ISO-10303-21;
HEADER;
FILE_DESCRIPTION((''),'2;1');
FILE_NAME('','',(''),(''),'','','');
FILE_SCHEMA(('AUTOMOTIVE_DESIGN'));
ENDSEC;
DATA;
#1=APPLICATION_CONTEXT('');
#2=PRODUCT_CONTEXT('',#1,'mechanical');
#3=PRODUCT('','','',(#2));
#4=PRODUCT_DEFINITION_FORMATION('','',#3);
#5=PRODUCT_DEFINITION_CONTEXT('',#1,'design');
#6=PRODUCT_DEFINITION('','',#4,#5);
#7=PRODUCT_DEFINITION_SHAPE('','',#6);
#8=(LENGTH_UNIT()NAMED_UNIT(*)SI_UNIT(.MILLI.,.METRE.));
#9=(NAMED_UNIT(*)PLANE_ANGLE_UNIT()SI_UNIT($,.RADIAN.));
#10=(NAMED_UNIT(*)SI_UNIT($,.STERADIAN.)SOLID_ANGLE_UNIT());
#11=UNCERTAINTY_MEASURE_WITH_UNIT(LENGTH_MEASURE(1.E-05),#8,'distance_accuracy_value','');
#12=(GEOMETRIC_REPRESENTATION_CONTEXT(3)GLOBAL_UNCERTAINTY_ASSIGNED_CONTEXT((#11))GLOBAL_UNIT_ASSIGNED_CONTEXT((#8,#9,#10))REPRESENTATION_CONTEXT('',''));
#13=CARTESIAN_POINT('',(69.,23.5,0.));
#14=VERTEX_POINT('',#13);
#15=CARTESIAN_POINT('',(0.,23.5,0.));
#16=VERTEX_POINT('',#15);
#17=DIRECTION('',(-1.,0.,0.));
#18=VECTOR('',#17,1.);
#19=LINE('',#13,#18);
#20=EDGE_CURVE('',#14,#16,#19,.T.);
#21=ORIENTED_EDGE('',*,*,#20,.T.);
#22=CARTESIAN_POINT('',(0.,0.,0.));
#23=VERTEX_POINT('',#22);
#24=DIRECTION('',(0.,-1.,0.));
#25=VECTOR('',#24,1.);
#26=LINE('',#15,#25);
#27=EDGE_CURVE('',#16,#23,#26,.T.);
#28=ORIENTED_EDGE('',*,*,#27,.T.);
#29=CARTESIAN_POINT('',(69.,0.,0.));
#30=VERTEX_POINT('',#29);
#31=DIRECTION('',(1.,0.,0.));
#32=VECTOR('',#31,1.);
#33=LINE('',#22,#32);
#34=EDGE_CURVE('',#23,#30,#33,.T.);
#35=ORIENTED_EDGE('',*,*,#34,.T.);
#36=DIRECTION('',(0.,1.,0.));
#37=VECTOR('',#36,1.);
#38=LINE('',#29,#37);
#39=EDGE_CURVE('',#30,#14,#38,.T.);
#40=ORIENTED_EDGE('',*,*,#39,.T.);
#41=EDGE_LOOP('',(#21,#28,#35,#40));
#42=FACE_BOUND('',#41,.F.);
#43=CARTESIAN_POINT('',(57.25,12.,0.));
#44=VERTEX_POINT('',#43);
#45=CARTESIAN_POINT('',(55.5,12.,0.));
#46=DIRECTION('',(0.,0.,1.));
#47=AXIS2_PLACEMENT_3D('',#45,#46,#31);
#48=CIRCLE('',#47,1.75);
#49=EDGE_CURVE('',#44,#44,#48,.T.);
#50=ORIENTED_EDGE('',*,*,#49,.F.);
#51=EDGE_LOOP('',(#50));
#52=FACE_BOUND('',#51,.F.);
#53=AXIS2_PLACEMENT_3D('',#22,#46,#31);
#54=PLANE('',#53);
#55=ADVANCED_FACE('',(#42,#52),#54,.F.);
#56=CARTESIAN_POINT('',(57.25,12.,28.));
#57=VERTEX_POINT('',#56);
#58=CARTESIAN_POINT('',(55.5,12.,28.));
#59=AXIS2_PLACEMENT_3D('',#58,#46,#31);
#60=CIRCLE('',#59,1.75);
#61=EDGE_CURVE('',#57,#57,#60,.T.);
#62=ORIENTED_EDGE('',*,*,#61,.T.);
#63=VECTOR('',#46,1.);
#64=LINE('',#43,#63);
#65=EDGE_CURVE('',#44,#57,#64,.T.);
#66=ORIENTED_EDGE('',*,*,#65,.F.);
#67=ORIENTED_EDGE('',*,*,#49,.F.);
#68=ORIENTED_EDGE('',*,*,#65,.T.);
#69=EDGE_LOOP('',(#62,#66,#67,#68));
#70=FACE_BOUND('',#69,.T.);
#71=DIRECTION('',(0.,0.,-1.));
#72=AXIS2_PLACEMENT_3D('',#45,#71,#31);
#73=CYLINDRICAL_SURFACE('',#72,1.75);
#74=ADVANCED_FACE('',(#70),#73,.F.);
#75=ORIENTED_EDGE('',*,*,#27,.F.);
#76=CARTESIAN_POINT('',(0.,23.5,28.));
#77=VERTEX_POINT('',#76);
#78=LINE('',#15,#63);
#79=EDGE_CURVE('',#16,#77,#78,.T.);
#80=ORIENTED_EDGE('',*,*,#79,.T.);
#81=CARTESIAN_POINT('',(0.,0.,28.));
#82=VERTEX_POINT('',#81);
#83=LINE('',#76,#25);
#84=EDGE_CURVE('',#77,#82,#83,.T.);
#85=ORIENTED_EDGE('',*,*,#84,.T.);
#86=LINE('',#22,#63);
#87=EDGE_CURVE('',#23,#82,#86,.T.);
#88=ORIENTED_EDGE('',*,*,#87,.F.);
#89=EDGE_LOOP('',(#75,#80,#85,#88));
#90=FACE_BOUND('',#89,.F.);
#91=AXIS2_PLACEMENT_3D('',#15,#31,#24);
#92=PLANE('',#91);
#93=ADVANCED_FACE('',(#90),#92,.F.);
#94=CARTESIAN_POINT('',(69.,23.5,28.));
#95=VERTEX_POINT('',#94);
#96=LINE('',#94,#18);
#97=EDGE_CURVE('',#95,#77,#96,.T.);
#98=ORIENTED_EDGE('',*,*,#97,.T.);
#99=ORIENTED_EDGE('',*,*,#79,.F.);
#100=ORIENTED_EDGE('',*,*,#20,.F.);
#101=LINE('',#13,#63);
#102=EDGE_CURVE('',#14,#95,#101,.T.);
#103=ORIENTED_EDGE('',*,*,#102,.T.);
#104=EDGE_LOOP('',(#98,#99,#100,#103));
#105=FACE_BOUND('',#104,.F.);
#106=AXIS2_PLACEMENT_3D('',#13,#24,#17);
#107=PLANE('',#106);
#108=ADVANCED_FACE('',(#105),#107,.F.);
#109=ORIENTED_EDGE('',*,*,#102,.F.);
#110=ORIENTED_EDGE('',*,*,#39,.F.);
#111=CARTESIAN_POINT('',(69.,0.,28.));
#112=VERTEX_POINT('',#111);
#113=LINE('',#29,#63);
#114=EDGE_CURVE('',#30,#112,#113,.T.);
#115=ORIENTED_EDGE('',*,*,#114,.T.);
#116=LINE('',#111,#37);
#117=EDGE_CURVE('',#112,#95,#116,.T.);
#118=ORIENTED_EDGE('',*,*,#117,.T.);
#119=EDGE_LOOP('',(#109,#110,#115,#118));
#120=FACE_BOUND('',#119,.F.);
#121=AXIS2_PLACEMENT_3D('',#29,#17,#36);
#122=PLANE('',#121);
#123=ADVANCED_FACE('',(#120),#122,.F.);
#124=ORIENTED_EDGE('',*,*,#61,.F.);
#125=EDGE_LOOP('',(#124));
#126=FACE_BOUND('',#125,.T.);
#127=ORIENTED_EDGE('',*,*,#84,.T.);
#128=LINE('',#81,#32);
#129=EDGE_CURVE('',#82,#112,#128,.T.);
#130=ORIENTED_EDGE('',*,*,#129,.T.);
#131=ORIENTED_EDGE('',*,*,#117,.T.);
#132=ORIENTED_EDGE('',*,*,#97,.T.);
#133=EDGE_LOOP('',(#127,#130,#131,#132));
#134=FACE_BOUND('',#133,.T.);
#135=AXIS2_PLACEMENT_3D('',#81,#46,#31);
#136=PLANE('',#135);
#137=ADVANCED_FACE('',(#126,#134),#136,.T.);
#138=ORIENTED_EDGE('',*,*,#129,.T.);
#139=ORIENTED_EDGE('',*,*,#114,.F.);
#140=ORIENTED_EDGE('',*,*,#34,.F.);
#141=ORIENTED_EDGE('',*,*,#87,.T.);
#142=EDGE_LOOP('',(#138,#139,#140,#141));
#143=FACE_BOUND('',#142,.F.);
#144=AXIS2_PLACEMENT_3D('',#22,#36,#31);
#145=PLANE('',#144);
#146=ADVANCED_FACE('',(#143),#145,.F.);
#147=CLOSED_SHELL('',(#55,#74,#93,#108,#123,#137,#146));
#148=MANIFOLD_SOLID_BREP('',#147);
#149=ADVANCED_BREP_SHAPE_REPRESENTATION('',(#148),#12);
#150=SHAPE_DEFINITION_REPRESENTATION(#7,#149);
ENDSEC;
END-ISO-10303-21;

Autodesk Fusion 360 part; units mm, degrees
sketch "スケッチ1" plane through (0, 0, 0) normal (0, 0, 1) x (1, 0, 0)
  line L0 (0, 0) -> (69, 0)
  line L1 (69, 0) -> (69, 23.5)
  line L2 (69, 23.5) -> (0, 23.5)
  line L3 (0, 23.5) -> (0, 0)
  circle A0 centre (55.5, 12) radius 1.75
  dimension "d1" = 12
  dimension "d2" = 3.5
  dimension "d3" = 23.5
  dimension "d4" = 69
  dimension "d5" = 13.5
extrude "押し出し1" add sketch "スケッチ1" along normal blind 28
